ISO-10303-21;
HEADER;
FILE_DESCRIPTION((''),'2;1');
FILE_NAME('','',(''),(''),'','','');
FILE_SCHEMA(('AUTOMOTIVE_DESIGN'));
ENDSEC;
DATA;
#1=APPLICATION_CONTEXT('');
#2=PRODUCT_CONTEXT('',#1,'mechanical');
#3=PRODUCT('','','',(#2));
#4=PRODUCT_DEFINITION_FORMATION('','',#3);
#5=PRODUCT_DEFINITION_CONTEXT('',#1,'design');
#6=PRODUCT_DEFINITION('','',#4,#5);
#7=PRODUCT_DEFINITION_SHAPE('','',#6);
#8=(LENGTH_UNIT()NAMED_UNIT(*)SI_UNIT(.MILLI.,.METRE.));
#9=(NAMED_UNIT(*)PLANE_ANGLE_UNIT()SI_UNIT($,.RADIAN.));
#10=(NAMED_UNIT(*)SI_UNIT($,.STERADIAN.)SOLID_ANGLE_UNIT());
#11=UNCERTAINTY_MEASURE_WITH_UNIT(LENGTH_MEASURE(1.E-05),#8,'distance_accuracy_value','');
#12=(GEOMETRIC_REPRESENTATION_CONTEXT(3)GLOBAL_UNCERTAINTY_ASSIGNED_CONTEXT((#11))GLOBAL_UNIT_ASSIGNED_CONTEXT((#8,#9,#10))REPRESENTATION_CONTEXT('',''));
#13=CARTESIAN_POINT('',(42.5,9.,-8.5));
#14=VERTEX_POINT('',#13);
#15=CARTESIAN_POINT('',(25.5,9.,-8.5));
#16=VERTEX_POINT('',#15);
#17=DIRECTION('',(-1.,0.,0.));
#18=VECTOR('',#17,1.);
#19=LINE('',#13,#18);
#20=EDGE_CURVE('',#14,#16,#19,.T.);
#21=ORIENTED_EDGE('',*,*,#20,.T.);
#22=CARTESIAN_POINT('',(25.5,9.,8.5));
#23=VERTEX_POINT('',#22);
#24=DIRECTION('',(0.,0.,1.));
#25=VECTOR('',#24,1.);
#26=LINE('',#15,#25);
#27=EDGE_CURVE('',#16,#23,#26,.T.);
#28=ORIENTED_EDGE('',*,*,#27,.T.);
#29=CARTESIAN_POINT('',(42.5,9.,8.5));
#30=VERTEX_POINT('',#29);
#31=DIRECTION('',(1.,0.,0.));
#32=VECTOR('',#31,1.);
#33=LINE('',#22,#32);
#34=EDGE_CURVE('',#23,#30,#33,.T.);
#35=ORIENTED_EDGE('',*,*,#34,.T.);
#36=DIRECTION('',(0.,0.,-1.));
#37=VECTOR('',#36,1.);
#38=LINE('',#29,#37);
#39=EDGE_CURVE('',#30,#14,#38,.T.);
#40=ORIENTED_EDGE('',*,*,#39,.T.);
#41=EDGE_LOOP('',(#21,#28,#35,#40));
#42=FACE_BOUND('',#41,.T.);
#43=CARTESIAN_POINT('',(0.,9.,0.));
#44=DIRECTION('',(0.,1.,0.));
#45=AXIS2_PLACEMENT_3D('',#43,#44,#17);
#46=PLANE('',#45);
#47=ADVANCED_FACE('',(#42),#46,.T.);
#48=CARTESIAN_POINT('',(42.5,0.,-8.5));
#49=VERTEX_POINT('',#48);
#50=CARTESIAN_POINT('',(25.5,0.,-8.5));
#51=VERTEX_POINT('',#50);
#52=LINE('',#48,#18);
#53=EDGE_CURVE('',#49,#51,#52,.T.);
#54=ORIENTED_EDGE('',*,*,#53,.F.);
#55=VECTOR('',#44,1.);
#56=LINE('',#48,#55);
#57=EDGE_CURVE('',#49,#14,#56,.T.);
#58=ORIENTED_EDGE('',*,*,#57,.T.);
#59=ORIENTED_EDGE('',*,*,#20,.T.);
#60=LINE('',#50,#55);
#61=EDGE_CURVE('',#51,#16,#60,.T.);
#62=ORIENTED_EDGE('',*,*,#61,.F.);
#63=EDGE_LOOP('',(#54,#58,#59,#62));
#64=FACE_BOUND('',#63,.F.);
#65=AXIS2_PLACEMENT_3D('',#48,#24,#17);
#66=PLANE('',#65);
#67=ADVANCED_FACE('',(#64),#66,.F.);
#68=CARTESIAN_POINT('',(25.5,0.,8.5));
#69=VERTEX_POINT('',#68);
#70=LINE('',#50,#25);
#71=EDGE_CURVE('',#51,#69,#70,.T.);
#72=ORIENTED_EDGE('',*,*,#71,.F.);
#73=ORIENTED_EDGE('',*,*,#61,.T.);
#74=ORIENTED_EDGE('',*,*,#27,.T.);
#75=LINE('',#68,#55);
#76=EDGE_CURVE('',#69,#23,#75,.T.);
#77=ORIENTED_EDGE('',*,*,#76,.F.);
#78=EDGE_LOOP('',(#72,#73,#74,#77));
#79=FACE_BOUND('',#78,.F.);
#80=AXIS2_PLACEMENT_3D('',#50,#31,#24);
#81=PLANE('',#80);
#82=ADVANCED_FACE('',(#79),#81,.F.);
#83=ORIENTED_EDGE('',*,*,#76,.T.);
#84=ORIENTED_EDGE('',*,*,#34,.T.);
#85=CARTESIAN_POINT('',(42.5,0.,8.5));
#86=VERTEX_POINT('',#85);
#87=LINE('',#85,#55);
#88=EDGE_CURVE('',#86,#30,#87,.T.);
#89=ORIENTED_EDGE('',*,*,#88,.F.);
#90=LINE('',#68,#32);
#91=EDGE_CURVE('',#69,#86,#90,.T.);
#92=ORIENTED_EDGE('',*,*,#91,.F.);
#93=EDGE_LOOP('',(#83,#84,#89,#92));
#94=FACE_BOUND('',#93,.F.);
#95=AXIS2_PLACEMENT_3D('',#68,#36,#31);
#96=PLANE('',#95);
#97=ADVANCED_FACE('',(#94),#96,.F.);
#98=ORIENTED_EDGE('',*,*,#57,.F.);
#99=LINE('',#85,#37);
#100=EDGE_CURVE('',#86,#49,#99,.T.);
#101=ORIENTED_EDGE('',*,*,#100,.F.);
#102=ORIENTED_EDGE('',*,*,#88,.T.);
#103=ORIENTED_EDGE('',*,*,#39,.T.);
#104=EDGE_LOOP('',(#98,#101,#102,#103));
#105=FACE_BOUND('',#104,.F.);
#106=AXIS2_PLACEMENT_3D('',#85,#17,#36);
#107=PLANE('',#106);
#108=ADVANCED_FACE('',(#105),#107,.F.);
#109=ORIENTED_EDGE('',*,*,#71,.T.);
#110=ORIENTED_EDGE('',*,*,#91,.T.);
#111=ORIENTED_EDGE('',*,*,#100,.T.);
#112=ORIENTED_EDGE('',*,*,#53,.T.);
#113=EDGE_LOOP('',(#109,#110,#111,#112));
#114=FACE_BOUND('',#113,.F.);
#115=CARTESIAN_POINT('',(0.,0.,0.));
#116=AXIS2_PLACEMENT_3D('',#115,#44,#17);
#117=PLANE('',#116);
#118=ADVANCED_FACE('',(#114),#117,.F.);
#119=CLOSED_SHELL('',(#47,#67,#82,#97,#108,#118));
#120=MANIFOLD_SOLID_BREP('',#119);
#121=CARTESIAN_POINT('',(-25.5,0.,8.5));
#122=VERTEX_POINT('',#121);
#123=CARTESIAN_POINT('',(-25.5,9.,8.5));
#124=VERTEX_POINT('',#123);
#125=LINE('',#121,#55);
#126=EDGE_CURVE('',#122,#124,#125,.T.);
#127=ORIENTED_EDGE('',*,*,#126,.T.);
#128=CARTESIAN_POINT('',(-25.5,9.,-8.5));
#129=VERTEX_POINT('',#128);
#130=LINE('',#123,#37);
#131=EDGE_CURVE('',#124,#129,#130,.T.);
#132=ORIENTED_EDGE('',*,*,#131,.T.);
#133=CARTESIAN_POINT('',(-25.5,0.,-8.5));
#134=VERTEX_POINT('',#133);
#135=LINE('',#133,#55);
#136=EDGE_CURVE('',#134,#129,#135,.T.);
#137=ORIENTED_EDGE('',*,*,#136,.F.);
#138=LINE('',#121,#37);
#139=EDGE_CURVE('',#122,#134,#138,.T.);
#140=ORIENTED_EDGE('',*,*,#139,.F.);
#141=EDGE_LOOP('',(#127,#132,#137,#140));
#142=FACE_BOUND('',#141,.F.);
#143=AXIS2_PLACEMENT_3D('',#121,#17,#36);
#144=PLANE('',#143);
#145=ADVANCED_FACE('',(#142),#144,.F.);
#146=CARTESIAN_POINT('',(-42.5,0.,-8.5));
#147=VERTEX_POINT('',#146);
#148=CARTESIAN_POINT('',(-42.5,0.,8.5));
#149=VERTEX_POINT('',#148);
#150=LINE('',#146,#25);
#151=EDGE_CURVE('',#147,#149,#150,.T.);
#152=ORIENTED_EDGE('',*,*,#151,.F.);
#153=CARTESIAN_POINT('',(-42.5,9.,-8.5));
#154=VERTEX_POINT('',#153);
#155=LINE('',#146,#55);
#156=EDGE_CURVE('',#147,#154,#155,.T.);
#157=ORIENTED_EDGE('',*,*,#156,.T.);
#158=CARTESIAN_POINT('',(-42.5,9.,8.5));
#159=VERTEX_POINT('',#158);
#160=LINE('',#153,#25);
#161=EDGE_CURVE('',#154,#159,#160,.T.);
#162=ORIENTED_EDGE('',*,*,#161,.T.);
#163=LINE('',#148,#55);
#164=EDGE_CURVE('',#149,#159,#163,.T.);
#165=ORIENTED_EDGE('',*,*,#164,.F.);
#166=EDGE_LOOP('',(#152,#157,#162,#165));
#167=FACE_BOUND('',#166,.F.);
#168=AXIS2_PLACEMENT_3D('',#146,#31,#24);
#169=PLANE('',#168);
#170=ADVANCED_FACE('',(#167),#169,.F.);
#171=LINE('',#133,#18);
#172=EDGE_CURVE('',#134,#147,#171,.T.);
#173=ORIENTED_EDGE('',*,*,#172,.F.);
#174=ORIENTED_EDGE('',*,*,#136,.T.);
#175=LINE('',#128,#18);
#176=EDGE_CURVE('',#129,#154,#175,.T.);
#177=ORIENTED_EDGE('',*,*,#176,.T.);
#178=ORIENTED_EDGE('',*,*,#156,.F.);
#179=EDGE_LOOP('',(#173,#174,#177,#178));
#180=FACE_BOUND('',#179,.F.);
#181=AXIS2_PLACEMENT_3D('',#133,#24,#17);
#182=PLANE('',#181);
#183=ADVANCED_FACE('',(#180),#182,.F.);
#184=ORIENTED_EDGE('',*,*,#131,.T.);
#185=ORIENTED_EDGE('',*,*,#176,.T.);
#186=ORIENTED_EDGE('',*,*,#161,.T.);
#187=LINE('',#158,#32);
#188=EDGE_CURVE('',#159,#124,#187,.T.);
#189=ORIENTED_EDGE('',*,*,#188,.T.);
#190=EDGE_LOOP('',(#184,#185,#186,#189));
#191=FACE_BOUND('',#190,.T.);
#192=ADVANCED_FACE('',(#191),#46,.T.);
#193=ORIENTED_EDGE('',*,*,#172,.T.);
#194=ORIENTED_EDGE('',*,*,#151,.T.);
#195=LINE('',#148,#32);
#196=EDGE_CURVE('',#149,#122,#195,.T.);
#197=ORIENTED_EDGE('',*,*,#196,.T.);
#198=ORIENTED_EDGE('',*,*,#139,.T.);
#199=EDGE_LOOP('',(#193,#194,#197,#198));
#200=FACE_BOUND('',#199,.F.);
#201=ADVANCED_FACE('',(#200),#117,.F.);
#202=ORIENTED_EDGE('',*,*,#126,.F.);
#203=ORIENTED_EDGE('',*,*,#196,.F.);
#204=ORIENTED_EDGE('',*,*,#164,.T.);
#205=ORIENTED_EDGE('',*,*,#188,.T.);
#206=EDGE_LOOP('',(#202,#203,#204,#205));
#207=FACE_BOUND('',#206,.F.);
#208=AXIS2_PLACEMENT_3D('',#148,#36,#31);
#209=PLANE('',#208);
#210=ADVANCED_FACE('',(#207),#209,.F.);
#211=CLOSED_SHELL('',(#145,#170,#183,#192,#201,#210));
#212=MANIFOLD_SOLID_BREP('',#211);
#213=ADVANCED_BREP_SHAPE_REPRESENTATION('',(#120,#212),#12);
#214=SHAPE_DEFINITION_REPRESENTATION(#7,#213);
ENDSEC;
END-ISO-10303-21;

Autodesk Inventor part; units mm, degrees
ref_plane "YZ Plane" through (0, 0, 0) normal (1, 0, 0) x (0, 1, 0)
ref_plane "XZ Plane" through (0, 0, 0) normal (0, 1, 0) x (-1, 0, 0)
ref_plane "XY Plane" through (0, 0, 0) normal (0, 0, 1) x (1, 0, 0)
sketch "Sketch1" plane through (0, 0, 0) normal (0, 1, 0) x (-1, 0, 0)
  point P0 (0, 0)
sketch "Sketch2" plane through (0, 0, 0) normal (0, 1, 0) x (-1, 0, 0)
  line L0 (42.5, 8.5) -> (25.5, 8.5)
  line L1 (25.5, 8.5) -> (25.5, -8.5)
  line L2 (25.5, -8.5) -> (42.5, -8.5)
  line L3 (42.5, -8.5) -> (42.5, 8.5)
  line L4 (42.5, 8.5) -> (25.5, -8.5) construction
  line L5 (25.5, 8.5) -> (42.5, -8.5) construction
  line L6 (-25.5, 8.5) -> (-42.5, 8.5)
  line L7 (-42.5, 8.5) -> (-42.5, -8.5)
  line L8 (-42.5, -8.5) -> (-25.5, -8.5)
  line L9 (-25.5, -8.5) -> (-25.5, 8.5)
  line L10 (-25.5, 8.5) -> (-42.5, -8.5) construction
  line L11 (-42.5, 8.5) -> (-25.5, -8.5) construction
  line L12 (0, 0) -> (0, -25.604) construction
  point P0 (34, 0)
  point P1 (-34, 0)
  dimension "d0" = 17
  dimension "d1" = 17
  dimension "d2" = 17
  dimension "d3" = 17
  dimension "d4" = 51
extrude "Extrusion1" add sketch "Sketch2" along normal blind 9
equation "\"d2\" = d1"
equation "\"d3\" = d0"
properties part number "Dots2"
